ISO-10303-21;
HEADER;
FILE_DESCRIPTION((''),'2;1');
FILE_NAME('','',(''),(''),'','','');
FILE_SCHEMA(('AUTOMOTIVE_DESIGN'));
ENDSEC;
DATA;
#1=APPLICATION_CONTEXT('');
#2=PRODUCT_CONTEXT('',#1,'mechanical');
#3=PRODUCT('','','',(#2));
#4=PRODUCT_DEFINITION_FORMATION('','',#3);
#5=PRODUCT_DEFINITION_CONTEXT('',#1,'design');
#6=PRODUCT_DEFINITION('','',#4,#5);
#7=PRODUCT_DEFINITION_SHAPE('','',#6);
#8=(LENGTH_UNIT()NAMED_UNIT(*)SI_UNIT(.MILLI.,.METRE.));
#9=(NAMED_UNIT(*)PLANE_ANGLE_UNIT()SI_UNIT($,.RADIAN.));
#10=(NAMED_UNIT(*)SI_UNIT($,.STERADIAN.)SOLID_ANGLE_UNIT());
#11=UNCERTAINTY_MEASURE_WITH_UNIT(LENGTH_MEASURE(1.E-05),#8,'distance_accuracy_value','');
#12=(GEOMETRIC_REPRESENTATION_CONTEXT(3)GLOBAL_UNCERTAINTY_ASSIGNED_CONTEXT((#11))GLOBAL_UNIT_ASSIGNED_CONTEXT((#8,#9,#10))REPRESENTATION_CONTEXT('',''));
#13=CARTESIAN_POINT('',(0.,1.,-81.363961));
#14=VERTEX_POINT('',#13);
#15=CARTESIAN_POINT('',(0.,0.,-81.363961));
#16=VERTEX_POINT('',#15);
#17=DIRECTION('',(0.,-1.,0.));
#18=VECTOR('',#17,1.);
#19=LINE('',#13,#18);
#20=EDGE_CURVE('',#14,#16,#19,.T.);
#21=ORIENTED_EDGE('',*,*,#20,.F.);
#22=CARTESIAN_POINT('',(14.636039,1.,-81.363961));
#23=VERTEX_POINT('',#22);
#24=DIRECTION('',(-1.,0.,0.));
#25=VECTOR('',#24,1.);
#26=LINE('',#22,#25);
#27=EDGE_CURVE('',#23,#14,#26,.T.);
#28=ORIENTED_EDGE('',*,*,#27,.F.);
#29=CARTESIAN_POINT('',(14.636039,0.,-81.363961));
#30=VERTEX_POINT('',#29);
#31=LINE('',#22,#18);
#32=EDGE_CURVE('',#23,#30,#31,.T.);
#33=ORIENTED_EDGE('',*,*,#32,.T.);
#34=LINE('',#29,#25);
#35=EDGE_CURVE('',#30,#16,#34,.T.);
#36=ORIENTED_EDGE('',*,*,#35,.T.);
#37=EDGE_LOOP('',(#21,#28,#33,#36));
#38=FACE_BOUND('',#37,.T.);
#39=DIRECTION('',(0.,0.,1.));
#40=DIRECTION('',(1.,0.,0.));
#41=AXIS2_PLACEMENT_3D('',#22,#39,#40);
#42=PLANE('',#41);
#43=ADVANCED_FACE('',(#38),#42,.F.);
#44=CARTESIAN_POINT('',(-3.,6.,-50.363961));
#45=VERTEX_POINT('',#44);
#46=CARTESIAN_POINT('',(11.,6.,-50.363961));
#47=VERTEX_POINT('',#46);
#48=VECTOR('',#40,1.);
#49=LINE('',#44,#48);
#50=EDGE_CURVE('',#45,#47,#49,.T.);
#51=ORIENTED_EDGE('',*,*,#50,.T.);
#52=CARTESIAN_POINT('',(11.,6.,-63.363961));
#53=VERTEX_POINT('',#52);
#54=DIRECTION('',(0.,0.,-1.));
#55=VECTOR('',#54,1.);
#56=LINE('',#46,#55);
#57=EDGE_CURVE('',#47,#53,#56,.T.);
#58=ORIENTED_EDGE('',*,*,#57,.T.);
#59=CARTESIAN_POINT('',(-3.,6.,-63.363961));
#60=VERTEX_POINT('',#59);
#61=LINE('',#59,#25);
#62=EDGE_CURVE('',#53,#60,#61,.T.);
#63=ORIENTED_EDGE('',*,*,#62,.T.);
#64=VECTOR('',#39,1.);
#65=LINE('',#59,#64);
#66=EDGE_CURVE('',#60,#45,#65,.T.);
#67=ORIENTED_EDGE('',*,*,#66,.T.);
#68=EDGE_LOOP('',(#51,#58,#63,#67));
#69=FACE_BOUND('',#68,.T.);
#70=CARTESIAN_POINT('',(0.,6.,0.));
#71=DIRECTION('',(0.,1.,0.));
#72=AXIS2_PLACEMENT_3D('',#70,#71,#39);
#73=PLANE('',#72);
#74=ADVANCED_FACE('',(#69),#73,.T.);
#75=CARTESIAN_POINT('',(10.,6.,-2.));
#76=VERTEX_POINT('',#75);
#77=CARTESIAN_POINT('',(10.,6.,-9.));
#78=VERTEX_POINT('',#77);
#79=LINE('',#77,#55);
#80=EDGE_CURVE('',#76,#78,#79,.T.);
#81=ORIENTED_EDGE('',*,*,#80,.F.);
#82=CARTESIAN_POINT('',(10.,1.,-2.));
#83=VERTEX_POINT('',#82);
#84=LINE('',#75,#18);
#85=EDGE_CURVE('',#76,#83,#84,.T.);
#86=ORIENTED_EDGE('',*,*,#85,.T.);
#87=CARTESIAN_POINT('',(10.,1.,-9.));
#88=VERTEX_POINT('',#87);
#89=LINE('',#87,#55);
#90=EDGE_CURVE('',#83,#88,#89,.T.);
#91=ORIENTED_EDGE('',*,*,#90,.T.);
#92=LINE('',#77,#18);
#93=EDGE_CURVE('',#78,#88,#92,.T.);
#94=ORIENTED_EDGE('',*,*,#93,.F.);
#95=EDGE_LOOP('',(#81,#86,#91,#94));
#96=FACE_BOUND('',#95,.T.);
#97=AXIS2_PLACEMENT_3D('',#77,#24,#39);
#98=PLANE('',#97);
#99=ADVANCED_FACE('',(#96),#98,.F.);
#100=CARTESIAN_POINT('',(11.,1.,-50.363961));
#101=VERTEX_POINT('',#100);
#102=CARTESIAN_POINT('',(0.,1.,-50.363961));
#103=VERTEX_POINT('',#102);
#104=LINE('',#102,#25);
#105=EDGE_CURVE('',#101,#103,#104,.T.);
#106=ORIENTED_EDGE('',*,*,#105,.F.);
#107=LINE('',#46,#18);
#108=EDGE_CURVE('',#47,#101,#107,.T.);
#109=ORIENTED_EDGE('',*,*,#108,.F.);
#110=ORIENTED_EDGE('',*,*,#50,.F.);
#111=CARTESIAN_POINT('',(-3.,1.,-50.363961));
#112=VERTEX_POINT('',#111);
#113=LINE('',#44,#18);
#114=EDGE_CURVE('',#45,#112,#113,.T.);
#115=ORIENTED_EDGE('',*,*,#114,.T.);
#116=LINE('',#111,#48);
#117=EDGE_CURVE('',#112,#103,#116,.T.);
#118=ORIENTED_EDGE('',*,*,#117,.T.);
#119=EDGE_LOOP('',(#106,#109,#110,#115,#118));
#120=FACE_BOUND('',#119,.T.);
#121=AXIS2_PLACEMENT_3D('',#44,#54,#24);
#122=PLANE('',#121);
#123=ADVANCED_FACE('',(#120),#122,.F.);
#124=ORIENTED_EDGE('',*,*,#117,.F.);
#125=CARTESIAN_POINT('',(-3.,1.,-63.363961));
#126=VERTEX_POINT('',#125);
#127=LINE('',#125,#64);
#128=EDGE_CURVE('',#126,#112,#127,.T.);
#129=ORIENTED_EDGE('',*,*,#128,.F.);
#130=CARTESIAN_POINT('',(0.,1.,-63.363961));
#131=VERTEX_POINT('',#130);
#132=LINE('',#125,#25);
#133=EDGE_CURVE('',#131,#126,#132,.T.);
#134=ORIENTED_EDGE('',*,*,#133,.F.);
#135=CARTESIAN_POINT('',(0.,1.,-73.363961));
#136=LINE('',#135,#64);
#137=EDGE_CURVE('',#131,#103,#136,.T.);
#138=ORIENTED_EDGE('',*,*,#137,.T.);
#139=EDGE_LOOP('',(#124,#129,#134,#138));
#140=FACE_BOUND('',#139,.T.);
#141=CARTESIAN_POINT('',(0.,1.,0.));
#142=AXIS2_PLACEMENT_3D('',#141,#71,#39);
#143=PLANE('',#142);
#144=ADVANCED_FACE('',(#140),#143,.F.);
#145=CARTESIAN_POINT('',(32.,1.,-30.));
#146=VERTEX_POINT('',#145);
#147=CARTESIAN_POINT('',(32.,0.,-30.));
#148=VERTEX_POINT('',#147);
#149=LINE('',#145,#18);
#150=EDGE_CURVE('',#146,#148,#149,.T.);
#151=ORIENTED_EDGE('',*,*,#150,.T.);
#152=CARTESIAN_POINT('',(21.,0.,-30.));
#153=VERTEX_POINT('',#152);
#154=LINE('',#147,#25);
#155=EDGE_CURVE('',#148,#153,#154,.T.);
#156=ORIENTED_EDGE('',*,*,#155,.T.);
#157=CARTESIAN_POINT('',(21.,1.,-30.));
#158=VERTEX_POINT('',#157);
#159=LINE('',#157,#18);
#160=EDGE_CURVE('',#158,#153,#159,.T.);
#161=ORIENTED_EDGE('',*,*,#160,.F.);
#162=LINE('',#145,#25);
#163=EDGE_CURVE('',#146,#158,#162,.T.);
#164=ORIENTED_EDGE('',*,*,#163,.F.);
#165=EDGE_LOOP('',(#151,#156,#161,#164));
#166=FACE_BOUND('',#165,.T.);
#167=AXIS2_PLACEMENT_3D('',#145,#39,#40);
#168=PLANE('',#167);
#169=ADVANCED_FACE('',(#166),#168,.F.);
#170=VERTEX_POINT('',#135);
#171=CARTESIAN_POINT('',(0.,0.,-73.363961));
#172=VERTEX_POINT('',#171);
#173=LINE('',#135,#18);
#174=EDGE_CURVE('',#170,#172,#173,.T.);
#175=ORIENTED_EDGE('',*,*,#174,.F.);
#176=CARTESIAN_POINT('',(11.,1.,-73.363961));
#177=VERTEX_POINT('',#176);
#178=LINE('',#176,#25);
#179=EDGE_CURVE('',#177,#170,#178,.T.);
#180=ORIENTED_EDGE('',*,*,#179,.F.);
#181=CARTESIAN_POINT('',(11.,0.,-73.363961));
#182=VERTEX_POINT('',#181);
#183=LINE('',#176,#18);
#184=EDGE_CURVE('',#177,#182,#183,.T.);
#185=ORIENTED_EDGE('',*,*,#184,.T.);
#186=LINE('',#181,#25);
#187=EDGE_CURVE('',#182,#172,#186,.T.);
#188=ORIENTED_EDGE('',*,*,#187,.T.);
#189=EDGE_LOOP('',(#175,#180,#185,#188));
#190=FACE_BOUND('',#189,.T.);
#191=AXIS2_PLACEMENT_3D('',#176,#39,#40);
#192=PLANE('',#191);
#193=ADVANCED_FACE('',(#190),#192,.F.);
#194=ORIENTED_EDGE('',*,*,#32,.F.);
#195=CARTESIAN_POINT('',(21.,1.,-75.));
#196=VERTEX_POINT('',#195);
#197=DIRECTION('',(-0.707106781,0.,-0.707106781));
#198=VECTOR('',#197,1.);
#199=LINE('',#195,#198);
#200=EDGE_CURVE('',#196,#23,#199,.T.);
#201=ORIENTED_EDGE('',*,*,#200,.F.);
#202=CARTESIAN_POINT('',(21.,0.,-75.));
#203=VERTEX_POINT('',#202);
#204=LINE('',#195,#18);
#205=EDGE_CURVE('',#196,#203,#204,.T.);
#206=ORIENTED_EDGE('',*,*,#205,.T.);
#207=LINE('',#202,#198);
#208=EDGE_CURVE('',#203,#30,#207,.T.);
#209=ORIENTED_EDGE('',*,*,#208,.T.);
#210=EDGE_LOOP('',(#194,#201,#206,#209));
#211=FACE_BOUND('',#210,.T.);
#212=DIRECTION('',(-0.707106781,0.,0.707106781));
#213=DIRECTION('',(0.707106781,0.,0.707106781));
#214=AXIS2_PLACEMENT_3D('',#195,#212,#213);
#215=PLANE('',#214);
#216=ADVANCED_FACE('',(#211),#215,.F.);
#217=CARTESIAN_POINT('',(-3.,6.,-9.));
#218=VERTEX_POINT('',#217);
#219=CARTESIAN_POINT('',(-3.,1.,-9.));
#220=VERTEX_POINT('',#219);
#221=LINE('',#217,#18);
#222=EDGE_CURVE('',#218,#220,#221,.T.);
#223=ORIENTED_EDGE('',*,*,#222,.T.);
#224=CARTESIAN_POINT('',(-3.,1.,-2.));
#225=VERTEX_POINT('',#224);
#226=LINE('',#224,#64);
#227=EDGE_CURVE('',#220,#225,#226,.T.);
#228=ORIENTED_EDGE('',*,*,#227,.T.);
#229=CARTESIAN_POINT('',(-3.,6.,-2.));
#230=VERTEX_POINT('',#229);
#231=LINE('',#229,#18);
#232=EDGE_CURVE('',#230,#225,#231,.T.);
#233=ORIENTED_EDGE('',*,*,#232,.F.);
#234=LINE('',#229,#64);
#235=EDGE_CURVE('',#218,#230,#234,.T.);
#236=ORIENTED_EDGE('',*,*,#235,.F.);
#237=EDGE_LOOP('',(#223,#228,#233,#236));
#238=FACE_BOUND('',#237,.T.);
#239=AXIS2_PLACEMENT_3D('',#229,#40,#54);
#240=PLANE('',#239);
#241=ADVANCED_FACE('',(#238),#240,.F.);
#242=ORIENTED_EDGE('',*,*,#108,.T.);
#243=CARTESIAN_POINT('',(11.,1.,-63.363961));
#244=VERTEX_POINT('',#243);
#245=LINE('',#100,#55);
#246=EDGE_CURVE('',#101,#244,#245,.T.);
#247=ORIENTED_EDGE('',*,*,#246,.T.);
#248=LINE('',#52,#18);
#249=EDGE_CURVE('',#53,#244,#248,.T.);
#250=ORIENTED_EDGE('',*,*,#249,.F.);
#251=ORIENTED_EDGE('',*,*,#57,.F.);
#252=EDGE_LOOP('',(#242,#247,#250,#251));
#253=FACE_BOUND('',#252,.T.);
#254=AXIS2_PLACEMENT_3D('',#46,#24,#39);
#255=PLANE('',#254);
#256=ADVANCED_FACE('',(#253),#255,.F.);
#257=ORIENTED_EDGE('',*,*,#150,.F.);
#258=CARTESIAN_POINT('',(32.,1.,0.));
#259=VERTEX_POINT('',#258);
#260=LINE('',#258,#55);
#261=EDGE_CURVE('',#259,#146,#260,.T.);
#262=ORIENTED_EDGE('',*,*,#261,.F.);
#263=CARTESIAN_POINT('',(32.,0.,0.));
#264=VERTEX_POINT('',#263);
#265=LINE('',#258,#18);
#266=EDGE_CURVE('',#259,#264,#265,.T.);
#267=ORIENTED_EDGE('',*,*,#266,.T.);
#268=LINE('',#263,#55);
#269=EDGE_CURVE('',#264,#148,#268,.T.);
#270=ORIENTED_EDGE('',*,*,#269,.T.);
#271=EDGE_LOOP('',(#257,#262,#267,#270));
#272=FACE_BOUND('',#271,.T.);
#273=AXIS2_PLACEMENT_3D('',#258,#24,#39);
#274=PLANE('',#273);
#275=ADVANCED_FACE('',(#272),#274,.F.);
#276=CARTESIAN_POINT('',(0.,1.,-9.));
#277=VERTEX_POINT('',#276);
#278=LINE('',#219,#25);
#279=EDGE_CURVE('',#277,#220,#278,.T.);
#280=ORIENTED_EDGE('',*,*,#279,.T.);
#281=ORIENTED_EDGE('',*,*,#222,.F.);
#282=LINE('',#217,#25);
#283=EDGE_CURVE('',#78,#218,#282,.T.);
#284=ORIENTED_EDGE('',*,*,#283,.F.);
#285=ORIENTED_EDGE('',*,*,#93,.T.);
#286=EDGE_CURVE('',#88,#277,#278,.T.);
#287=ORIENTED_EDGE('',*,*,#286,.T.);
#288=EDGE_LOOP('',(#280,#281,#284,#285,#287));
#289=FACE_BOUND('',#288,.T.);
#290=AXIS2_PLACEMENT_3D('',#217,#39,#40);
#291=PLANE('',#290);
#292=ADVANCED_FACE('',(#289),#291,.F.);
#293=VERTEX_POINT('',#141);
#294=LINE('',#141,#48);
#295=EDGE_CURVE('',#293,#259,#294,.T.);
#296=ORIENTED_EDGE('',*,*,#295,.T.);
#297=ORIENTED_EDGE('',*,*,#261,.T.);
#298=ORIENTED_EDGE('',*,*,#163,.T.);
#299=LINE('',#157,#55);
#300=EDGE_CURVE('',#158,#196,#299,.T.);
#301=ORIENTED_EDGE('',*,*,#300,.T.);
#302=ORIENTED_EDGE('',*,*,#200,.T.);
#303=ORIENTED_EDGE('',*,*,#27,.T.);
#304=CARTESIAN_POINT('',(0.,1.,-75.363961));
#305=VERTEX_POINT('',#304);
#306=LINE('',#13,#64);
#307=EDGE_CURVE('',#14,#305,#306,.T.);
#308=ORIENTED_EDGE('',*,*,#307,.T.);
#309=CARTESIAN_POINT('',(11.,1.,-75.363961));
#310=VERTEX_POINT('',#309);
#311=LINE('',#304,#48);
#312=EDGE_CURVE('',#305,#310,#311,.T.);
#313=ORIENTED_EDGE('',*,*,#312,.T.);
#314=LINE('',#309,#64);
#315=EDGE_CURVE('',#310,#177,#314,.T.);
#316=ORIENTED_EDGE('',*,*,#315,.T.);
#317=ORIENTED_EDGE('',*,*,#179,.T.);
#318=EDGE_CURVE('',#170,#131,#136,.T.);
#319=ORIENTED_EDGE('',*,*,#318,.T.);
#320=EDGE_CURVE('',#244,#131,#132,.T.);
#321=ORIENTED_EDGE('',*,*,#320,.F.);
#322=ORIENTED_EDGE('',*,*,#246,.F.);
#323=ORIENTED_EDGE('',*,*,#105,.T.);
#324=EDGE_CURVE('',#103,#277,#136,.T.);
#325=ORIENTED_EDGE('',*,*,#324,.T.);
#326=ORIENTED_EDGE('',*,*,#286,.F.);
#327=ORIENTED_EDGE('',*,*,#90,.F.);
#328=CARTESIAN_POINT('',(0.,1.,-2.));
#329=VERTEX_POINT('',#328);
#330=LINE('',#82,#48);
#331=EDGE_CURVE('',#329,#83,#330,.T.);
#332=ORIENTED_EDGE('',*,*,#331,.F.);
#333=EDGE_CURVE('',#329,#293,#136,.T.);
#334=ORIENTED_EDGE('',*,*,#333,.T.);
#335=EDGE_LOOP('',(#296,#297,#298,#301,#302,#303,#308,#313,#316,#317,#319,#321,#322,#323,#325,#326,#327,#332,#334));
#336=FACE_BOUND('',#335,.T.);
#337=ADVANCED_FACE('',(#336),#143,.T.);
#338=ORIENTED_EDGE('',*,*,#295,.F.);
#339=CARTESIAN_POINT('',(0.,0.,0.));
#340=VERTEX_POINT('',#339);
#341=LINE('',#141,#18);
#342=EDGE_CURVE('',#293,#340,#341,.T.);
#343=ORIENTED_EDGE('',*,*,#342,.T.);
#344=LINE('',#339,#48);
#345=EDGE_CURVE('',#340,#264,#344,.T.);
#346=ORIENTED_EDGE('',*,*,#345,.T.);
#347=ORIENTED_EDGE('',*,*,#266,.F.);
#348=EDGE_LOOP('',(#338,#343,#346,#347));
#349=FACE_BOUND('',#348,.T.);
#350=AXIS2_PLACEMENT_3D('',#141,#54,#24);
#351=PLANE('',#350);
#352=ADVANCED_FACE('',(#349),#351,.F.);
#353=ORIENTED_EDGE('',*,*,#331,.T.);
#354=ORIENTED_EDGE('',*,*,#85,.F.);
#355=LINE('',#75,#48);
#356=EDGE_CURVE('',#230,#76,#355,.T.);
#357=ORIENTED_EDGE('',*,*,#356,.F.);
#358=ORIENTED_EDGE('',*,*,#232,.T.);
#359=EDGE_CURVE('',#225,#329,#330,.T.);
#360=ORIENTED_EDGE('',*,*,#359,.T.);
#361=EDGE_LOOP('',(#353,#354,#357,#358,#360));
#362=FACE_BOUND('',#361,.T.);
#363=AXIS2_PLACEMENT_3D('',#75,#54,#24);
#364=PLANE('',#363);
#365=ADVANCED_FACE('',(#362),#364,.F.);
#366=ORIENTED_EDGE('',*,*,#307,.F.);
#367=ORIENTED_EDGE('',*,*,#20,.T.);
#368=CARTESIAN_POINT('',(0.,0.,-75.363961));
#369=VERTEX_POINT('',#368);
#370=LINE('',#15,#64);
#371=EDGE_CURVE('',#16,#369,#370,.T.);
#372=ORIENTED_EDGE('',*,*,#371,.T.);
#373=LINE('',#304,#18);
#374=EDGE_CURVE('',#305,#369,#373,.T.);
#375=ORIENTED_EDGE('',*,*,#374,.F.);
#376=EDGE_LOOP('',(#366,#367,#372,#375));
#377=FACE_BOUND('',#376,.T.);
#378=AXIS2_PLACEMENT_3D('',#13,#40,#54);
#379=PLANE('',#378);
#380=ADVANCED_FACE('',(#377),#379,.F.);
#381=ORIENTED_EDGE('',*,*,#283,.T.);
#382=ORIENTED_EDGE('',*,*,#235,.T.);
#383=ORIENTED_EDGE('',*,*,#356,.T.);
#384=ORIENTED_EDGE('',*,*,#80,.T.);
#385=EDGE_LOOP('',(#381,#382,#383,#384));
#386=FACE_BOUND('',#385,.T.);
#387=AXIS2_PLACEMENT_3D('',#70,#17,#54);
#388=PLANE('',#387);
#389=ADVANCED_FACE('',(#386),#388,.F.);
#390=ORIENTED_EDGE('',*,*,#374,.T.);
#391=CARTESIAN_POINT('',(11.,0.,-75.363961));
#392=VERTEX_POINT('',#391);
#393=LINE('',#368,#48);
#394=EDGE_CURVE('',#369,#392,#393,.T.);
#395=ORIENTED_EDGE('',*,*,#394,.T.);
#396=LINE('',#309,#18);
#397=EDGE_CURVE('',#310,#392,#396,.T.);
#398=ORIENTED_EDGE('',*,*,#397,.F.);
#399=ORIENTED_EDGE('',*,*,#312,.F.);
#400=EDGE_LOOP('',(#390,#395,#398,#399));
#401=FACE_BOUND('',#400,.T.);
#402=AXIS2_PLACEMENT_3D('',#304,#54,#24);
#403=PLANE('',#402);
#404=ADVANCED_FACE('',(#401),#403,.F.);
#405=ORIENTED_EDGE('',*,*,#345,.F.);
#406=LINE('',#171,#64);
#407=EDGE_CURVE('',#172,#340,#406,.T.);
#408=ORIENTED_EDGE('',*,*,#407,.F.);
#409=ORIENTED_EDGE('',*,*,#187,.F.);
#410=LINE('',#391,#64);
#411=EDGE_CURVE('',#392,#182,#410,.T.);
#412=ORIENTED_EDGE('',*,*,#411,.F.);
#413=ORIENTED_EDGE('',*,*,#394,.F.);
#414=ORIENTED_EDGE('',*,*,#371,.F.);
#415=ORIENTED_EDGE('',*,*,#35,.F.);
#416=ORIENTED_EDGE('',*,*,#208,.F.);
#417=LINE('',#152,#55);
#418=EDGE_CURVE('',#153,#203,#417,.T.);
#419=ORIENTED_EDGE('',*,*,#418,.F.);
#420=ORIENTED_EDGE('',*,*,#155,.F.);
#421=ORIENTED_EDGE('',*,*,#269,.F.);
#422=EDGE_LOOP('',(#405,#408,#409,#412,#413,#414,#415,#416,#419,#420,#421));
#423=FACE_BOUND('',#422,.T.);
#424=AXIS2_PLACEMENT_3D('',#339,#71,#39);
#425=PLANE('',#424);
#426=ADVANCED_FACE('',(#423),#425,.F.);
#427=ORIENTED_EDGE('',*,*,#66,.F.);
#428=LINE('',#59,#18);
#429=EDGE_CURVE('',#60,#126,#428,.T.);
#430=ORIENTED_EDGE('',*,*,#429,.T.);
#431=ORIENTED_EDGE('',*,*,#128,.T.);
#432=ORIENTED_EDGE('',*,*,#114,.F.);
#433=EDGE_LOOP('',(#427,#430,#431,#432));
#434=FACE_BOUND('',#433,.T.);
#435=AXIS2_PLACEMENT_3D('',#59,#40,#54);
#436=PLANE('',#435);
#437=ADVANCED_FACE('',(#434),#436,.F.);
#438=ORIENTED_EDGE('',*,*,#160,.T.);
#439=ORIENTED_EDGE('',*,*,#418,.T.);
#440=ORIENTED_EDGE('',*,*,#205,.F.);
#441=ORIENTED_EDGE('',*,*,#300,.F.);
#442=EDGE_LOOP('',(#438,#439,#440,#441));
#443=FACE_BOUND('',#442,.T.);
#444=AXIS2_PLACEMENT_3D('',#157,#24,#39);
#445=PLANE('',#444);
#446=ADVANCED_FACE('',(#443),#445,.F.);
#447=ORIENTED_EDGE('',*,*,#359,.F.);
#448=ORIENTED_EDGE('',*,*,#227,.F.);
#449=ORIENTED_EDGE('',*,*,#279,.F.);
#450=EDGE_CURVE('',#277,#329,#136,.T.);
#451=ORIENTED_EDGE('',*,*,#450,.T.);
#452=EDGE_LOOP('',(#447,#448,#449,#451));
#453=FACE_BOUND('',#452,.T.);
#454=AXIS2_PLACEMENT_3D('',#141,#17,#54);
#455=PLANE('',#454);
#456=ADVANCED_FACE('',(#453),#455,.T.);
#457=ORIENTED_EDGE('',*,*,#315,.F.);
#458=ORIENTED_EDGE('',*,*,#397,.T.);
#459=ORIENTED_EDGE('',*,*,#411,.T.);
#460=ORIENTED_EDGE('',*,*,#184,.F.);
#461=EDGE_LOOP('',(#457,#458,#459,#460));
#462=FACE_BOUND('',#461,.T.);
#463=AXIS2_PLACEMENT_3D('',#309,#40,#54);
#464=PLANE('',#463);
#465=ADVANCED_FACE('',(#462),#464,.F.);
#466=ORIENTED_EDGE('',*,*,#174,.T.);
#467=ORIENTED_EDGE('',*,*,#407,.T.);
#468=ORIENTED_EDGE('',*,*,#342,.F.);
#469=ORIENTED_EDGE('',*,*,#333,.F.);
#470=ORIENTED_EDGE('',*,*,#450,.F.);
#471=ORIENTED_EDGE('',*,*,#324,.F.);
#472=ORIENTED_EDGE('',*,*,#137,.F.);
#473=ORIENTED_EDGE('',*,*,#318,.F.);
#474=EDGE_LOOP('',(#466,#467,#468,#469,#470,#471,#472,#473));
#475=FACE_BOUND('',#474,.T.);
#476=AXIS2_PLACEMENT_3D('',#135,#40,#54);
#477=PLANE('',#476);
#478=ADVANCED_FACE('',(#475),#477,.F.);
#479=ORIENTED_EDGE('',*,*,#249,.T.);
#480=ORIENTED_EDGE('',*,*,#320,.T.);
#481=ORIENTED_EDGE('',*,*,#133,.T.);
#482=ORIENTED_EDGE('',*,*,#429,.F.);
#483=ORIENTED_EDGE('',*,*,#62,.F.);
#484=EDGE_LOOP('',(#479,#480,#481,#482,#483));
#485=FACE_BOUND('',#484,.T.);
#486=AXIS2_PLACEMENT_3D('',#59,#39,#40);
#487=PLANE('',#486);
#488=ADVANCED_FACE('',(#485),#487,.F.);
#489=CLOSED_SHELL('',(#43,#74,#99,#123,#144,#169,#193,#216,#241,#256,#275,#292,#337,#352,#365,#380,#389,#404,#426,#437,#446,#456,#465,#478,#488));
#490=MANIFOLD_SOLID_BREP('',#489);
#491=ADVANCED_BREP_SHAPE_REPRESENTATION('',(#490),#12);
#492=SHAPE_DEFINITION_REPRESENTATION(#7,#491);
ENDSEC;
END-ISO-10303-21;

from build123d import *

# Parameters (mm, degrees)
EXTRUDE_1_DEPTH = 1
SKETCH_2_W      = 13
SKETCH_2_H      = 7
EXTRUDE_2_DEPTH = 5
SKETCH_3_W      = 14
SKETCH_3_H      = 13
EXTRUDE_3_DEPTH = 5


with BuildPart() as part:
    # 草圖1 → 填料-伸長1 (new body)
    with BuildSketch(Plane(origin=(0, 0, 0), x_dir=(1, 0, 0), z_dir=(0, 1, 0))):
        Polygon((0, 0), (32, 0), (32, 30), (21, 30), (21, 75), (14.636038969, 81.363961031), (0, 81.363961031), (0, 75.363961031), (11, 75.363961031), (11, 73.363961031), (0, 73.363961031), align=None)
    extrude(amount=EXTRUDE_1_DEPTH)

    # 草圖2 → 填料-伸長2 (add)
    with BuildSketch(Plane(origin=(0, 1, 0), x_dir=(1, 0, 0), z_dir=(0, 1, 0))):
        with Locations((3.5, 5.5)):
            Rectangle(SKETCH_2_W, SKETCH_2_H)
    extrude(amount=EXTRUDE_2_DEPTH)

    # 草圖3 → 填料-伸長3 (add)
    with BuildSketch(Plane(origin=(0, 1, 0), x_dir=(1, 0, 0), z_dir=(0, 1, 0))):
        with Locations((4, 56.863961031)):
            Rectangle(SKETCH_3_W, SKETCH_3_H)
    extrude(amount=EXTRUDE_3_DEPTH)


solid = part.part
